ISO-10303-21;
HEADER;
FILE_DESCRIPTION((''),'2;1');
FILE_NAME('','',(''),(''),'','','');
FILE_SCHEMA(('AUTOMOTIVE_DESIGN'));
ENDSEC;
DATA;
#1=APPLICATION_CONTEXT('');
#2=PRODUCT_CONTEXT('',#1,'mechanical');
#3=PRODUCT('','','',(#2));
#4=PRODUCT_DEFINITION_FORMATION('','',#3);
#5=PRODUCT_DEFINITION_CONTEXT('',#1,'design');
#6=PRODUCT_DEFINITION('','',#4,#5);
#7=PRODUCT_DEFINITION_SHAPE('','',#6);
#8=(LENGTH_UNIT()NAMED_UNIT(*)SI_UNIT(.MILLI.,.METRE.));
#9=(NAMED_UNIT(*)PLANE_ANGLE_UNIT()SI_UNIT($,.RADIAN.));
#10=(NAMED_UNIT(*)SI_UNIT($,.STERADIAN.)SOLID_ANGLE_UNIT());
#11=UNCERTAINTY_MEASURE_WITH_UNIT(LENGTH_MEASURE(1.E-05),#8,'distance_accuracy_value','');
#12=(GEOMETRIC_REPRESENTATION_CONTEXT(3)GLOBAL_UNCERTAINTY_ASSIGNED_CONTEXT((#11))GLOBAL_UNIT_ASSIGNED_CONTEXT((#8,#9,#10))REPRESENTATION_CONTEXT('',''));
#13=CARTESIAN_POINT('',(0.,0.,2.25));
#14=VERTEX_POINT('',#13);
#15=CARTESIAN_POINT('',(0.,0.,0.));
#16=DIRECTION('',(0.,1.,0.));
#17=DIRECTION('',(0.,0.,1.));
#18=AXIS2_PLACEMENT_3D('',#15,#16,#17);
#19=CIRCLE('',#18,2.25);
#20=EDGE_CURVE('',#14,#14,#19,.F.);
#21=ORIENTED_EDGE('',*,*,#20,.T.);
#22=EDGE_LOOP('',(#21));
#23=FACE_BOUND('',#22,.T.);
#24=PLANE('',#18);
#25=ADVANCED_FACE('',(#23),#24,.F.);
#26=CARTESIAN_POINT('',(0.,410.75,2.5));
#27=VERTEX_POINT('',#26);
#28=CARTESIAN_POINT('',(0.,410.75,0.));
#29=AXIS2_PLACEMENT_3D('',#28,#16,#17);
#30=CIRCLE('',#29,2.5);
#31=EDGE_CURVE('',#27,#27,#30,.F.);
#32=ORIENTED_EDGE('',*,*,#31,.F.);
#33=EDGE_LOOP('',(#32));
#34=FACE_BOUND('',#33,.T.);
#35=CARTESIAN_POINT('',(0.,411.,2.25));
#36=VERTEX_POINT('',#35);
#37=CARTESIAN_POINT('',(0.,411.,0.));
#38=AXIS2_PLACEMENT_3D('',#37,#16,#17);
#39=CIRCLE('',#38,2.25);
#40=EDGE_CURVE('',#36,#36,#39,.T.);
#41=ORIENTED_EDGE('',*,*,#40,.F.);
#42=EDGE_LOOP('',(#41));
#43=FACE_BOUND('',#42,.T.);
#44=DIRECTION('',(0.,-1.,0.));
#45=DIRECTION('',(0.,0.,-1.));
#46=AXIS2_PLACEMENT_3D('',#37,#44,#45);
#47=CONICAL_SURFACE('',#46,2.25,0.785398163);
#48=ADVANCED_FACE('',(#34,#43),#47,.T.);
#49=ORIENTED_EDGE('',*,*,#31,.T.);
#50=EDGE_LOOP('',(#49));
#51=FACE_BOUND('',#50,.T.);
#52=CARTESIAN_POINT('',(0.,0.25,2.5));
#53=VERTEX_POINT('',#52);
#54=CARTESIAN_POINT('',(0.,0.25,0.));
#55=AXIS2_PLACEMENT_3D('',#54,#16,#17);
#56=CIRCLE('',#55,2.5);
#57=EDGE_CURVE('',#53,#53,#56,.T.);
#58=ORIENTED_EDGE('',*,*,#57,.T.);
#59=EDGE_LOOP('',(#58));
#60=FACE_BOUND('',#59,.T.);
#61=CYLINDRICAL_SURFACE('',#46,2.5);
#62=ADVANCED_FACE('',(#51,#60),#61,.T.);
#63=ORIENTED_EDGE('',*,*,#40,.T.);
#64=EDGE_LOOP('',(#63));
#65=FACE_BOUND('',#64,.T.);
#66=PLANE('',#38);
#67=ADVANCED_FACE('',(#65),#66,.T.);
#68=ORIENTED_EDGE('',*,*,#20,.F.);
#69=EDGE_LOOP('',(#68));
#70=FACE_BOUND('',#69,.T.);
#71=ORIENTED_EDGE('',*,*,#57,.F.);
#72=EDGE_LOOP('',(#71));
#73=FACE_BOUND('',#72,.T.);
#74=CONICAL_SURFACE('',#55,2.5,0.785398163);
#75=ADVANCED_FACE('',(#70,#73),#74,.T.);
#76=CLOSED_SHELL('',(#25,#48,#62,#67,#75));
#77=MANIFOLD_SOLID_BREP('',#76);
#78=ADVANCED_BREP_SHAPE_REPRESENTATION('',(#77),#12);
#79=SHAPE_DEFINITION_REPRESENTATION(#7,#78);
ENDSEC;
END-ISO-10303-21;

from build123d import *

# Parameters (mm, degrees)
SZKIC1_R                    = 2.5
DODANIE_WYCI_GNI_CIE1_DEPTH = 411
SFAZOWANIE1_SIZE            = 0.25


with BuildPart() as part:
    # Szkic1 → Dodanie-wyciągnięcie1 (new body)
    with BuildSketch(Plane(origin=(0, 0, 0), x_dir=(1, 0, 0), z_dir=(0, 1, 0))):
        with Locations(Location((0, 0, 0), (0, 0, 270))):
            Circle(SZKIC1_R)
    extrude(amount=DODANIE_WYCI_GNI_CIE1_DEPTH)

    # Sfazowanie1
    sfazowanie1_edges = [part.edges().sort_by_distance(p)[0] for p in [
        (0, 0, -2.5),
        (0, 411, -2.5),
    ]]
    chamfer(sfazowanie1_edges, length=SFAZOWANIE1_SIZE)


solid = part.part
